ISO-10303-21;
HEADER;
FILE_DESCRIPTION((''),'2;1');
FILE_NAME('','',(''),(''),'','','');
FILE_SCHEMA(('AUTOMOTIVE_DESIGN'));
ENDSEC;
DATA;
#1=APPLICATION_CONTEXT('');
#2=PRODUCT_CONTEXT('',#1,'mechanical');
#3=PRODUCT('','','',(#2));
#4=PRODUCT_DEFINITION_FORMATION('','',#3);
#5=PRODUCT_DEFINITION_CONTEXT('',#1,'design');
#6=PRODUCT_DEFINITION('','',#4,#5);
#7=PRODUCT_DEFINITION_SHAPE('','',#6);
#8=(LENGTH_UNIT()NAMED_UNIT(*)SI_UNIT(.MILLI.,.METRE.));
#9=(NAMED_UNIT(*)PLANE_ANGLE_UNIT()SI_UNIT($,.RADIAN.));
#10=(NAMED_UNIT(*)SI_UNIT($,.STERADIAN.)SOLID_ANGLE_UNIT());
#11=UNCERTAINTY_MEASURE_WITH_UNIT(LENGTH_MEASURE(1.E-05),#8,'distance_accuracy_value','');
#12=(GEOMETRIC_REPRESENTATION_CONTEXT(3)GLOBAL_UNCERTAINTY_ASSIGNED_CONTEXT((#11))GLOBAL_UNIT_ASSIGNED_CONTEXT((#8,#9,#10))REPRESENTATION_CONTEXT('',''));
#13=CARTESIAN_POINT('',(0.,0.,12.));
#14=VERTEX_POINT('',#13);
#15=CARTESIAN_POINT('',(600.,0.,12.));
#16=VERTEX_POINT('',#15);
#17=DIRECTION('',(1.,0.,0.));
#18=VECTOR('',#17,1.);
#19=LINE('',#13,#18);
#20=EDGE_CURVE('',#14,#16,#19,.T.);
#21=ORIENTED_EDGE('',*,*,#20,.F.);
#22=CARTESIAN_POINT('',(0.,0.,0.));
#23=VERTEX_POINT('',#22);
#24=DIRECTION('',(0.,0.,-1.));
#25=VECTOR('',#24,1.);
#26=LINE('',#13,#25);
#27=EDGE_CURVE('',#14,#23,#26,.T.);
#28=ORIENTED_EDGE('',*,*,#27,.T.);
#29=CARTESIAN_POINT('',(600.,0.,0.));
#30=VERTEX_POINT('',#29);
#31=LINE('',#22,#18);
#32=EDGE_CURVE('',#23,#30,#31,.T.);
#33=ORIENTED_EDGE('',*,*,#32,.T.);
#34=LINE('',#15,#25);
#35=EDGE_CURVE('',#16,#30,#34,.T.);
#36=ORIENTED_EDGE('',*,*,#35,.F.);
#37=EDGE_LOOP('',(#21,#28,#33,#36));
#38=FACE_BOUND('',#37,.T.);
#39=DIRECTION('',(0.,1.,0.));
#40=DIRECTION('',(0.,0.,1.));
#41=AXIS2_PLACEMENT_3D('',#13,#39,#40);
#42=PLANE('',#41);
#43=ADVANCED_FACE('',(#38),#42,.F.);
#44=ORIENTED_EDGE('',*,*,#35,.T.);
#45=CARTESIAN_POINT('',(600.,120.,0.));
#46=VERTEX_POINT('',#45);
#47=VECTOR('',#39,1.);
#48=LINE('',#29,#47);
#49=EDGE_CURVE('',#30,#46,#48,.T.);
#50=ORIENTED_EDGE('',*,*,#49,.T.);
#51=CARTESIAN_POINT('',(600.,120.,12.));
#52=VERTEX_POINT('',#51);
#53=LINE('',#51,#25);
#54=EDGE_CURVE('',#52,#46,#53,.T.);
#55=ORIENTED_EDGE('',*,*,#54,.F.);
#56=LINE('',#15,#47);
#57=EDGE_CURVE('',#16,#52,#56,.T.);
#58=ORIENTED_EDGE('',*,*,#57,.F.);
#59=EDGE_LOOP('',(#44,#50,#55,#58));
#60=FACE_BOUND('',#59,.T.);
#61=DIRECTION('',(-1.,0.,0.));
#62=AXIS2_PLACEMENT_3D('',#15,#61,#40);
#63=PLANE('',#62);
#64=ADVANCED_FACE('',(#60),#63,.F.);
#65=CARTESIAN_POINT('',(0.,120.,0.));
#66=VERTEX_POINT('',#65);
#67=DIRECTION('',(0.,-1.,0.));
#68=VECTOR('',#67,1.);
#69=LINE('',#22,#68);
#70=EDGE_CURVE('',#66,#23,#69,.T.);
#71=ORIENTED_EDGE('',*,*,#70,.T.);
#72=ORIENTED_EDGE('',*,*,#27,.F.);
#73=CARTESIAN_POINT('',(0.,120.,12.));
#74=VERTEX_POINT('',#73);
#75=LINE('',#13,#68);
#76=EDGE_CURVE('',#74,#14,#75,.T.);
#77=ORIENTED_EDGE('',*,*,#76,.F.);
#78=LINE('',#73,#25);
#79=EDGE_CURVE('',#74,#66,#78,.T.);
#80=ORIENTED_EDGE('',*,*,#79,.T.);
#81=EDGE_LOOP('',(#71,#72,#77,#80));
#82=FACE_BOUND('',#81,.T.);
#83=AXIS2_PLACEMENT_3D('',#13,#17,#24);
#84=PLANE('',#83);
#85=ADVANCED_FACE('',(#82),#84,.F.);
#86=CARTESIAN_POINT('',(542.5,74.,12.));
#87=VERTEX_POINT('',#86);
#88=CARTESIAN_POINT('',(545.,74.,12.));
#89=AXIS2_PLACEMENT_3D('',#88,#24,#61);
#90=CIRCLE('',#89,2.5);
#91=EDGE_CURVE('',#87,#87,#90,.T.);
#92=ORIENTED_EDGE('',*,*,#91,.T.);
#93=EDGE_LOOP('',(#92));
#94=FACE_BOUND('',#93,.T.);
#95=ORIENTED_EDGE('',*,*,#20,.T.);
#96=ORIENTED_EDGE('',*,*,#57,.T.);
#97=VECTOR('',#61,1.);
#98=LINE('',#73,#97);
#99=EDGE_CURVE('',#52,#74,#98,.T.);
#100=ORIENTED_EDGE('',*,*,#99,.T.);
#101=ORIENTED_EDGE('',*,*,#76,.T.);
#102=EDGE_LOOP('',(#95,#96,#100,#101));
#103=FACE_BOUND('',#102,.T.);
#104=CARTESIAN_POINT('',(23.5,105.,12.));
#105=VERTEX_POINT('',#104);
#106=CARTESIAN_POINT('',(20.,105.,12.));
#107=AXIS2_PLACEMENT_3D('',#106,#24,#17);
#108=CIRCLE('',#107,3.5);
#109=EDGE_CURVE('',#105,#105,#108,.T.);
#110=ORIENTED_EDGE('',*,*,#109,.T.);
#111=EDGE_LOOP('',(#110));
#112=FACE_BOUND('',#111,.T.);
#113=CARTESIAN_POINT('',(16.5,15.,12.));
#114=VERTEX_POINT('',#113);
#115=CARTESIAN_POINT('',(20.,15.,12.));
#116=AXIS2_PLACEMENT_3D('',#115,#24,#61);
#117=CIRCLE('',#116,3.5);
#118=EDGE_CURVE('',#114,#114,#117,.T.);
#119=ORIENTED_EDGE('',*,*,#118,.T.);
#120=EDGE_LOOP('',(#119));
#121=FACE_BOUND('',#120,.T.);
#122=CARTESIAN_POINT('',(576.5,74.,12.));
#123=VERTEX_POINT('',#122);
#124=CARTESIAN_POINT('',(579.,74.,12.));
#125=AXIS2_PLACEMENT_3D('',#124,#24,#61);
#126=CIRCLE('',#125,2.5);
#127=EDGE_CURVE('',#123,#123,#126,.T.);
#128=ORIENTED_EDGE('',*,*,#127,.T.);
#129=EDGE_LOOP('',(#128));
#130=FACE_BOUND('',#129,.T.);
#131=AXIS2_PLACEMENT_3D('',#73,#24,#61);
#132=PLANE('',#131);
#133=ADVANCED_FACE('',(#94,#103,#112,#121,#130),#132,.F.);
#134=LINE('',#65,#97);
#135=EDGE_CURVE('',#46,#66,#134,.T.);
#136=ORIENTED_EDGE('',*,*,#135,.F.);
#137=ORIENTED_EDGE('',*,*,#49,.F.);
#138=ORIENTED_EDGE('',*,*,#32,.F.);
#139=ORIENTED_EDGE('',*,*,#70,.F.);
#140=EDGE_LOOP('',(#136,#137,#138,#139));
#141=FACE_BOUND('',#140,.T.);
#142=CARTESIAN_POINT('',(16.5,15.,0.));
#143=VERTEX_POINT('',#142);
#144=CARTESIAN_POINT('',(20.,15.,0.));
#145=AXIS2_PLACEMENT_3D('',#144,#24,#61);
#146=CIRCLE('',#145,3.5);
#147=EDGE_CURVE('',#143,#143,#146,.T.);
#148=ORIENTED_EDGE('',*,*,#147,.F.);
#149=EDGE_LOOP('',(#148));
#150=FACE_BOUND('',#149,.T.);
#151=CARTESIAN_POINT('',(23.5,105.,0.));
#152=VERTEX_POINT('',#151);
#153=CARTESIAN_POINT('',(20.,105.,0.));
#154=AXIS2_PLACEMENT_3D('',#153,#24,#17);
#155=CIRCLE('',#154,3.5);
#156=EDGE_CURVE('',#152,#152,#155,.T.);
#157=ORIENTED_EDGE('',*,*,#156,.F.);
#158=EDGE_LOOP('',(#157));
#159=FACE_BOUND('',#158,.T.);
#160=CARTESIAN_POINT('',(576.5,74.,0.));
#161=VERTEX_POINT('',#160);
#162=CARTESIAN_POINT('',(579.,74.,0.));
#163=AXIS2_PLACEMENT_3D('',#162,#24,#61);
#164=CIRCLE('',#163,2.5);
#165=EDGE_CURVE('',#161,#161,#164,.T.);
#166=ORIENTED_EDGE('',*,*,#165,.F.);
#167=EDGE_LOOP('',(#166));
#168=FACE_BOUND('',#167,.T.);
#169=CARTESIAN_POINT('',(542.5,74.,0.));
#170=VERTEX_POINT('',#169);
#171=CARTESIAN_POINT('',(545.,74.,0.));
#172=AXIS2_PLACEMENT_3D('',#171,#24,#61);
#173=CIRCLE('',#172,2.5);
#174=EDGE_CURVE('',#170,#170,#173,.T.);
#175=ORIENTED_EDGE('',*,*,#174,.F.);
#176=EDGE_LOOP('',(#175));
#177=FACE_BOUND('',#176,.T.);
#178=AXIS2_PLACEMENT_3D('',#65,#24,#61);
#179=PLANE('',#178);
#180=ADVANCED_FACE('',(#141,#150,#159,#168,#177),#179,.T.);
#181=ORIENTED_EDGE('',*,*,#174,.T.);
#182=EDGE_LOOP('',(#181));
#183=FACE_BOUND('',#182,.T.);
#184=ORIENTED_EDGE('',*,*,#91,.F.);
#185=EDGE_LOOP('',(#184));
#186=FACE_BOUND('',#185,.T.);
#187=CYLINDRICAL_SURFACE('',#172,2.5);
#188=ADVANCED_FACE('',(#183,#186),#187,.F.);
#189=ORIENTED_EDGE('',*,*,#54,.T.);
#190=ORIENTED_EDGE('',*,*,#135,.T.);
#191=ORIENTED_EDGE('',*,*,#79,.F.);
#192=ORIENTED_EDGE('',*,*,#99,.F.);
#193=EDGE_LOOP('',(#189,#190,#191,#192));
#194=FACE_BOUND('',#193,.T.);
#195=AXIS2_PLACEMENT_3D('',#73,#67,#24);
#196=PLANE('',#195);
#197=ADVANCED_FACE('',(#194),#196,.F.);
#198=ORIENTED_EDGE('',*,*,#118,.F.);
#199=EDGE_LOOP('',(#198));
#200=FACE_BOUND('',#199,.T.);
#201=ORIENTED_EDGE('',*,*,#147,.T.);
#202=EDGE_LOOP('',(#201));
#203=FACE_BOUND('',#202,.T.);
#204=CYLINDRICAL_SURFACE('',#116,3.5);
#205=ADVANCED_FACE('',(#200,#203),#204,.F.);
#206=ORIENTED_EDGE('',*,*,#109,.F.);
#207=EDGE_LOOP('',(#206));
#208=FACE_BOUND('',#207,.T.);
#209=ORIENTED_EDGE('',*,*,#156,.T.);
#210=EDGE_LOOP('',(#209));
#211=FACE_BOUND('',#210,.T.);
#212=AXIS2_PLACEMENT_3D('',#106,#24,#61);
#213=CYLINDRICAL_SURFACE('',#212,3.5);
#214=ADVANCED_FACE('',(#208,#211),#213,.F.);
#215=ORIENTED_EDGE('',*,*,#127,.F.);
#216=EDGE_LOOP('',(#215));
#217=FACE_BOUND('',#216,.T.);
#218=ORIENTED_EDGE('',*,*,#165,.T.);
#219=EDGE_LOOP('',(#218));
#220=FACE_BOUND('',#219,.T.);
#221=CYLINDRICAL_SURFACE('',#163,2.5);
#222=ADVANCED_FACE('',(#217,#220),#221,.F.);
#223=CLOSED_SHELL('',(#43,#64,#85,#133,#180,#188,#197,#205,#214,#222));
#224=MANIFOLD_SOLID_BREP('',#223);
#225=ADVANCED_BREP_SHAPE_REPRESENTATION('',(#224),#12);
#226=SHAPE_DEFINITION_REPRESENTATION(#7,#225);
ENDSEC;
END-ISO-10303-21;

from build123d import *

# Parameters (mm, degrees)
SKETCH_1_W          = 600
SKETCH_1_H          = 120
EXTRUDE_1_DEPTH     = 12
SKETCH_4_R          = 3.5
CUT_EXTRUDE_1_DEPTH = 613
HOLE_WIZARD_M6_1_D  = 5


with BuildPart() as part:
    # 草图1 → 凸台-拉伸1 (new body)
    with BuildSketch(Plane.XY):
        with Locations((300, 60)):
            Rectangle(SKETCH_1_W, SKETCH_1_H)
    extrude(amount=EXTRUDE_1_DEPTH)

    # 草图4 → 切除-拉伸1 (cut, through all)
    with BuildSketch(Plane(origin=(0, 0, 0), x_dir=(-1, 0, 0), z_dir=(0, 0, -1))):
        with Locations((-20, 15)):
            Circle(SKETCH_4_R)
        with Locations(Location((-20, 105, 0), (0, 0, 180))):
            Circle(SKETCH_4_R)
    extrude(amount=-CUT_EXTRUDE_1_DEPTH, mode=Mode.SUBTRACT)

    # M6 螺纹孔1 (through all)
    with Locations(Plane(origin=(0, 0, 0), x_dir=(-1, 0, 0), z_dir=(0, 0, -1))):
        with Locations((-579, 74), (-545, 74)):
            Hole(HOLE_WIZARD_M6_1_D / 2)


solid = part.part
